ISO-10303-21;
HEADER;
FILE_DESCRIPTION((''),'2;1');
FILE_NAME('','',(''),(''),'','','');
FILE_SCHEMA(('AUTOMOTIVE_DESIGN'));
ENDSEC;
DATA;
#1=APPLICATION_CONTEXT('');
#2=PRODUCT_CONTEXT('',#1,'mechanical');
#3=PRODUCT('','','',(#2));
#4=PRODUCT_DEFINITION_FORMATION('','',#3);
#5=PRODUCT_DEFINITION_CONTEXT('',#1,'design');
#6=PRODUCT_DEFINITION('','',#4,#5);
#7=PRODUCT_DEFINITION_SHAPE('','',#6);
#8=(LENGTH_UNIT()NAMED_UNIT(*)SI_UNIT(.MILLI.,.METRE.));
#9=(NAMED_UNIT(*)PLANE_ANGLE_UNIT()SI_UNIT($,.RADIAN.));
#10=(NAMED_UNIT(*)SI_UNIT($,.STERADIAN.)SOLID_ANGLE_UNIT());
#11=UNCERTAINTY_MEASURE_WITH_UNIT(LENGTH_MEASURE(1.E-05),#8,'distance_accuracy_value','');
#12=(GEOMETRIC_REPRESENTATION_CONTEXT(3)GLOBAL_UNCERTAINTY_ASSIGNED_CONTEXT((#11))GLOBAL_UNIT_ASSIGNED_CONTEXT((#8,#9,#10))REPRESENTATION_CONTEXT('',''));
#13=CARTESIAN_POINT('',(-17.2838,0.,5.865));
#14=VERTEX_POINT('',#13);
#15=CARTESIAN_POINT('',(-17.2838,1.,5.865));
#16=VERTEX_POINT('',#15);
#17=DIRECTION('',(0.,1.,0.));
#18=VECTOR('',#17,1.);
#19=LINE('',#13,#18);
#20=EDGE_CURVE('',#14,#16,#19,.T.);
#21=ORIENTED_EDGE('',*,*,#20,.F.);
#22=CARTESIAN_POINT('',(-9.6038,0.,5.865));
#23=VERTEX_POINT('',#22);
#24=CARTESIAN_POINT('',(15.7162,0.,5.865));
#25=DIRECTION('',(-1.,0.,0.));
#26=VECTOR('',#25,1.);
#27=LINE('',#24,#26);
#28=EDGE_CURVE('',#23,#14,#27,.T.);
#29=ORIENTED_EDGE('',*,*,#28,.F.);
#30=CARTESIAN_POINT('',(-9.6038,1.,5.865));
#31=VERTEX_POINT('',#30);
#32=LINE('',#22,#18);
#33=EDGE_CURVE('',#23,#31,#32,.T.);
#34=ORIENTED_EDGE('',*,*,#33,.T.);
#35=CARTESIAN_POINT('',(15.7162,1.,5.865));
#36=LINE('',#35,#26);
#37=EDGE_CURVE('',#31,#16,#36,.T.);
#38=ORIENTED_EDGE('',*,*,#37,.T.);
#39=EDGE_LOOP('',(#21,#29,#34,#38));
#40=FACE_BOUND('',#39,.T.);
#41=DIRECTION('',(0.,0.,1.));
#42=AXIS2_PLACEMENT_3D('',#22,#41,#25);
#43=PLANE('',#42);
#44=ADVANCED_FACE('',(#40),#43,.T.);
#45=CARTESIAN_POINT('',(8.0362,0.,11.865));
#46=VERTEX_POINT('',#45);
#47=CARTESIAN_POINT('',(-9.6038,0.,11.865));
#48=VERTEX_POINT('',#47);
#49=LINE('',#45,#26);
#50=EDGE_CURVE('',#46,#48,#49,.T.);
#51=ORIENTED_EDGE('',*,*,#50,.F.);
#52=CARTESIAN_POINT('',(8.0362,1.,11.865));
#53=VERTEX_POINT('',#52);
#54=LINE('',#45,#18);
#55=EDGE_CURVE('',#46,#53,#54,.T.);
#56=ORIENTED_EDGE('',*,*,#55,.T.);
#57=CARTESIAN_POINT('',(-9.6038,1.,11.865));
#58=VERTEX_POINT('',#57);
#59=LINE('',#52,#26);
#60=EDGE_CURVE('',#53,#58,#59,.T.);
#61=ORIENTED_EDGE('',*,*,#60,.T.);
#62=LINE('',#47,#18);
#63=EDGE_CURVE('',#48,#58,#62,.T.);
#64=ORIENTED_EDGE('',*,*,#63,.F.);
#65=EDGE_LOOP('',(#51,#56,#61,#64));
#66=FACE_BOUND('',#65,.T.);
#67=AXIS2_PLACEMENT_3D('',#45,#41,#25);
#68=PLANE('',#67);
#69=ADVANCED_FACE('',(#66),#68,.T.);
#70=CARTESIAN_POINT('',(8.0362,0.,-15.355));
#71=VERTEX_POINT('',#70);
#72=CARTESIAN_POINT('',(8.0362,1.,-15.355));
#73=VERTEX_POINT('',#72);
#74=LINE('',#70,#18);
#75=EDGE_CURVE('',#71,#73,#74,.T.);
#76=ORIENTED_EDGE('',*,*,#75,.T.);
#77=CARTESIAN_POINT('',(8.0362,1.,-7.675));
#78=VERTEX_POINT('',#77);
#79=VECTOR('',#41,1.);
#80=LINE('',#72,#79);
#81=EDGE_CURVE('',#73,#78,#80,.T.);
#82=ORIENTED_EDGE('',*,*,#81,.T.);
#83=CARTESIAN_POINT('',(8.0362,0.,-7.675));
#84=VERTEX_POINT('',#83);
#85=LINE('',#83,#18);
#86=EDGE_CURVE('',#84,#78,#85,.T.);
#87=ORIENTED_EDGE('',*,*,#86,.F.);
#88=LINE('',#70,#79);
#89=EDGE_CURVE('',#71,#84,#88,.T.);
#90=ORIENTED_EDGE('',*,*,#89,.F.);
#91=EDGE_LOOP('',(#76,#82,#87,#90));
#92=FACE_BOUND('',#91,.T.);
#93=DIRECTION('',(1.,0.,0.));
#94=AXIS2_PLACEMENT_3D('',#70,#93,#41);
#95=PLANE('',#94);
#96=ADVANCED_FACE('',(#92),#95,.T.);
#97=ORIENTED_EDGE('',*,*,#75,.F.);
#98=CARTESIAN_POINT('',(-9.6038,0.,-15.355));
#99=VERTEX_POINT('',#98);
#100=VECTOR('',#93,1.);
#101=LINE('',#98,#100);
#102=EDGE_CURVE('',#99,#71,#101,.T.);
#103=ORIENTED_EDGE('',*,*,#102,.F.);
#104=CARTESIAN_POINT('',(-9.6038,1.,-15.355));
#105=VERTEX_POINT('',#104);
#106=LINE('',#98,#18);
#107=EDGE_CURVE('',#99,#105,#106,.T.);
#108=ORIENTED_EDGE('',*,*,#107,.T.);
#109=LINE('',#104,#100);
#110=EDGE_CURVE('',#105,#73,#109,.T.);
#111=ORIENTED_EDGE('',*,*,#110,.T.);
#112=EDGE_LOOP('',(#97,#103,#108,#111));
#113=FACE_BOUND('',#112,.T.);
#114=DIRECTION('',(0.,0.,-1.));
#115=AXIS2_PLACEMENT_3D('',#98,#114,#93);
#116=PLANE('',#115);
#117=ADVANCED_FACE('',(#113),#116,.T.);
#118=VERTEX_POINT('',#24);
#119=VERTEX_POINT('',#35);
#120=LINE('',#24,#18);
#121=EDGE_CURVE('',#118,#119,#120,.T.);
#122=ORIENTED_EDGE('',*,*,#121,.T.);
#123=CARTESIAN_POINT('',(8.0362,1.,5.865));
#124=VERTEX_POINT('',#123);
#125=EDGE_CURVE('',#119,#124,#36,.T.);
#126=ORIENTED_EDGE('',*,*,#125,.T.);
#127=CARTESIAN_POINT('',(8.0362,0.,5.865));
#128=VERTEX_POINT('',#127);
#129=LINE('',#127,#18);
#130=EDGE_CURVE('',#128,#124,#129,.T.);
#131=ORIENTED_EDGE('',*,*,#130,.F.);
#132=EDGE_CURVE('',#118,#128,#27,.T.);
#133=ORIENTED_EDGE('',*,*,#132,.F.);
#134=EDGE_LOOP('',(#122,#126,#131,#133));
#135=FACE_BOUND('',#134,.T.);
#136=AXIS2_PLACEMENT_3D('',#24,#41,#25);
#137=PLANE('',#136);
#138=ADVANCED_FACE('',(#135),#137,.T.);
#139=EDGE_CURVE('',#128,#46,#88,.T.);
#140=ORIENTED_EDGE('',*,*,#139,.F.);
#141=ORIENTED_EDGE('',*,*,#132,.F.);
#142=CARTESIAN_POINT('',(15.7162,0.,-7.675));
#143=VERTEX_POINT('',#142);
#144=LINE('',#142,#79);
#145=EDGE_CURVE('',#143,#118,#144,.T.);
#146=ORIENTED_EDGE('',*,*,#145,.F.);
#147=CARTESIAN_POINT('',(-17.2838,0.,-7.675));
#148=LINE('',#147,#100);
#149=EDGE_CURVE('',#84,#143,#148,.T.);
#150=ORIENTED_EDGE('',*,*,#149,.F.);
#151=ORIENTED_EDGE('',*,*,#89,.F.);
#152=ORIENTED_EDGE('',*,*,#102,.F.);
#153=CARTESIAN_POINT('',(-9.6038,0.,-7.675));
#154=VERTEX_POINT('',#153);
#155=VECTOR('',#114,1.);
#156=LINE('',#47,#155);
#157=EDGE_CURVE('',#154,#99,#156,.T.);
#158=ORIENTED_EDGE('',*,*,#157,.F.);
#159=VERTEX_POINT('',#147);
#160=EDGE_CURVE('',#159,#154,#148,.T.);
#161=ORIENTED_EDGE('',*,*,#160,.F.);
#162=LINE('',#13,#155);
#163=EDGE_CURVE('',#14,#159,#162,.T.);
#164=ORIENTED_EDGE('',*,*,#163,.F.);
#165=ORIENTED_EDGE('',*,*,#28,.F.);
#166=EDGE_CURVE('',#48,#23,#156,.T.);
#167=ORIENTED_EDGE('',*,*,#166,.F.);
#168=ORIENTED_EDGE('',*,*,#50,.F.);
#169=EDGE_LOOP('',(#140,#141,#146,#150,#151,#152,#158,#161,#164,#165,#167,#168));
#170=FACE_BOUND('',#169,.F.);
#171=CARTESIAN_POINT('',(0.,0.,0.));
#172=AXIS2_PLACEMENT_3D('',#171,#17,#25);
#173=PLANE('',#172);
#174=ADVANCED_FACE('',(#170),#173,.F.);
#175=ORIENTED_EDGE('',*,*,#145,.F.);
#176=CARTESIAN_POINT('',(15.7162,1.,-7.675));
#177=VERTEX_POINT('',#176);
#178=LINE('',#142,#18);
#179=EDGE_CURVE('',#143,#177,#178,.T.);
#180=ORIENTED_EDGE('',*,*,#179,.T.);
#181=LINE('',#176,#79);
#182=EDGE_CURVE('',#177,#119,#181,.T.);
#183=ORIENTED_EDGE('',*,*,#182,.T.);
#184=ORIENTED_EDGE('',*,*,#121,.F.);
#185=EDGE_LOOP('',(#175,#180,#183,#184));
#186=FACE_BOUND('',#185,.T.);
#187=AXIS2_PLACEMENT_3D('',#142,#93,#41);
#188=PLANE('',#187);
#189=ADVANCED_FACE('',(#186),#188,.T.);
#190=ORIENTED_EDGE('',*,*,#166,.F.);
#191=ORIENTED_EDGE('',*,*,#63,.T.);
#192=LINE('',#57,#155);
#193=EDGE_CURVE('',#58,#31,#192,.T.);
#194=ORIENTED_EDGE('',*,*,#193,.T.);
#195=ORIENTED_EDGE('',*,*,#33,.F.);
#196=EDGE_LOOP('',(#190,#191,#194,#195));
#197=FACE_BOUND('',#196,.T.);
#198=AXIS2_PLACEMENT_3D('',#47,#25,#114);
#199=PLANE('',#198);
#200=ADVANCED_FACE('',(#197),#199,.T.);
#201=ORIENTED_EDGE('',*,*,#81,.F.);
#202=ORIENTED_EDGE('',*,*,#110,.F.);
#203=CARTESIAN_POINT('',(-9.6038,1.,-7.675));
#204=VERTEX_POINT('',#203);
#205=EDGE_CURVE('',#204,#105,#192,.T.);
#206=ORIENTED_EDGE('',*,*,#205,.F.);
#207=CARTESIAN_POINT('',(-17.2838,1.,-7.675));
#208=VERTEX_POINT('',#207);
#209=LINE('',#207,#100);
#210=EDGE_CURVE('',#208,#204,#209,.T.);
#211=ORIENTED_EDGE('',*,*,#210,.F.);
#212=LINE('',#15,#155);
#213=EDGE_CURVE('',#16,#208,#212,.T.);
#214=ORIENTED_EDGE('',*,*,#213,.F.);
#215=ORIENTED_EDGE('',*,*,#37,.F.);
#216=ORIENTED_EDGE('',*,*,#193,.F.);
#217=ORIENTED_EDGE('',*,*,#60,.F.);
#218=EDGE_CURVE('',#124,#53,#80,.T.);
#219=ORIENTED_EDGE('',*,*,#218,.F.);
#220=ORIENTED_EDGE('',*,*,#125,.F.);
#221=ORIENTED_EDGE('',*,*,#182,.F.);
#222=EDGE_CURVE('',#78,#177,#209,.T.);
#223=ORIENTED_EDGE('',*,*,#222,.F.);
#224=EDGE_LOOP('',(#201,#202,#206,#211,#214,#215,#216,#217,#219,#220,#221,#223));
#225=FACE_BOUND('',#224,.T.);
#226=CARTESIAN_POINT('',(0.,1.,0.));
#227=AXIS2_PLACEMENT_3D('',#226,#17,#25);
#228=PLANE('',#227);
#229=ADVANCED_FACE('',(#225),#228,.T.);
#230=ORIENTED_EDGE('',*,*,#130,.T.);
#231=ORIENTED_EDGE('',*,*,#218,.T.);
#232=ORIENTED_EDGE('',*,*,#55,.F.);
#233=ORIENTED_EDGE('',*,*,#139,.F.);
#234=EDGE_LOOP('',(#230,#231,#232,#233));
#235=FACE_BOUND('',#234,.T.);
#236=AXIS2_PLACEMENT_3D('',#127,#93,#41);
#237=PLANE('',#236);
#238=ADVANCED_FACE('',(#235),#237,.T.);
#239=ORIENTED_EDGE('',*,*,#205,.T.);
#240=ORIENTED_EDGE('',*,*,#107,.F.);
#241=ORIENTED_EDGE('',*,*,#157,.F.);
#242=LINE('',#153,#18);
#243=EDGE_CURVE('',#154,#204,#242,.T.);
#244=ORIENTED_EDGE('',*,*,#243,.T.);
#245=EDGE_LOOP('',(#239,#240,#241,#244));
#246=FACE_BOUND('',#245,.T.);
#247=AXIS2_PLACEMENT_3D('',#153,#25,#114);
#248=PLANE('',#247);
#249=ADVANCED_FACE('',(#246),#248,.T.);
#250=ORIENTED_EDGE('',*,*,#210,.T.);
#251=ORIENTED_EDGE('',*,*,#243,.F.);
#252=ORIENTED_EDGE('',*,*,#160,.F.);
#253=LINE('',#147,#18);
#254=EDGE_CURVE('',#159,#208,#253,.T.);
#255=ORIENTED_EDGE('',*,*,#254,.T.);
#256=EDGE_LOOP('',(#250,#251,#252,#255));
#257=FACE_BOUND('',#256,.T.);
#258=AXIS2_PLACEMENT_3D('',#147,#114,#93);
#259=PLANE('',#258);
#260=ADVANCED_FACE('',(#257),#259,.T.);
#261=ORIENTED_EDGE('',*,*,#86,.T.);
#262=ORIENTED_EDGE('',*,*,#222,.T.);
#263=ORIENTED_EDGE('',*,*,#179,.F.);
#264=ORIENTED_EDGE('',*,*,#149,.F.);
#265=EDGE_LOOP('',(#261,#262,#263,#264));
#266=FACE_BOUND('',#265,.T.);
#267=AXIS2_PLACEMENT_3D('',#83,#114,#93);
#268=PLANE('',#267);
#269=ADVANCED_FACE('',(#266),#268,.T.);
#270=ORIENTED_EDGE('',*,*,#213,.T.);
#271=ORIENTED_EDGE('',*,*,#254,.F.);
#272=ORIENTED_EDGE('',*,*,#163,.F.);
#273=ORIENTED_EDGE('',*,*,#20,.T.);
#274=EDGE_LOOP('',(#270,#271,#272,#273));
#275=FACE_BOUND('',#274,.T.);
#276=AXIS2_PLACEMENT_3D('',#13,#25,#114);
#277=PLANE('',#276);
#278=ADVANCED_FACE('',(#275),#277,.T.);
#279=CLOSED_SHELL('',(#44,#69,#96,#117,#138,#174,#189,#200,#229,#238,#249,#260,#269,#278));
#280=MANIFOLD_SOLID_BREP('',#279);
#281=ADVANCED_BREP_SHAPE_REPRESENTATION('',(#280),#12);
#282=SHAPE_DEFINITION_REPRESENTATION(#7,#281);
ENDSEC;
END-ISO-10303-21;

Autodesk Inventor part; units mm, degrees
ref_plane "YZ Plane" through (0, 0, 0) normal (1, 0, 0) x (0, 1, 0)
ref_plane "XZ Plane" through (0, 0, 0) normal (0, 1, 0) x (-1, 0, 0)
ref_plane "XY Plane" through (0, 0, 0) normal (0, 0, 1) x (1, 0, 0)
sketch "Эскиз1" plane through (0, 0, 0) normal (0, 1, 0) x (-1, 0, 0)
  line L0 (17.2838, -7.675) -> (-15.7162, -7.675)
  line L1 (-15.7162, -7.675) -> (-15.7162, 5.865)
  line L2 (-15.7162, 5.865) -> (17.2838, 5.865)
  line L3 (17.2838, 5.865) -> (17.2838, -7.675)
  line L4 (9.6038, -15.355) -> (-8.0362, -15.355)
  line L5 (-8.0362, -15.355) -> (-8.0362, 11.865)
  line L6 (-8.0362, 11.865) -> (9.6038, 11.865)
  line L7 (9.6038, 11.865) -> (9.6038, -15.355)
  point P0 (0, 0)
  dimension "d0" = 13.54
  dimension "d1" = 33
  dimension "d2" = 7.68
  dimension "d3" = 7.68
  dimension "d4" = 6
  dimension "d5" = 7.68
extrude "Выдавливание1" add sketch "Эскиз1" along normal blind 1
equation "\"d3\" = d2"
equation "\"d5\" = d2"
properties part number "pcb_btm" material "Полиэтилен, высокая плотность"
